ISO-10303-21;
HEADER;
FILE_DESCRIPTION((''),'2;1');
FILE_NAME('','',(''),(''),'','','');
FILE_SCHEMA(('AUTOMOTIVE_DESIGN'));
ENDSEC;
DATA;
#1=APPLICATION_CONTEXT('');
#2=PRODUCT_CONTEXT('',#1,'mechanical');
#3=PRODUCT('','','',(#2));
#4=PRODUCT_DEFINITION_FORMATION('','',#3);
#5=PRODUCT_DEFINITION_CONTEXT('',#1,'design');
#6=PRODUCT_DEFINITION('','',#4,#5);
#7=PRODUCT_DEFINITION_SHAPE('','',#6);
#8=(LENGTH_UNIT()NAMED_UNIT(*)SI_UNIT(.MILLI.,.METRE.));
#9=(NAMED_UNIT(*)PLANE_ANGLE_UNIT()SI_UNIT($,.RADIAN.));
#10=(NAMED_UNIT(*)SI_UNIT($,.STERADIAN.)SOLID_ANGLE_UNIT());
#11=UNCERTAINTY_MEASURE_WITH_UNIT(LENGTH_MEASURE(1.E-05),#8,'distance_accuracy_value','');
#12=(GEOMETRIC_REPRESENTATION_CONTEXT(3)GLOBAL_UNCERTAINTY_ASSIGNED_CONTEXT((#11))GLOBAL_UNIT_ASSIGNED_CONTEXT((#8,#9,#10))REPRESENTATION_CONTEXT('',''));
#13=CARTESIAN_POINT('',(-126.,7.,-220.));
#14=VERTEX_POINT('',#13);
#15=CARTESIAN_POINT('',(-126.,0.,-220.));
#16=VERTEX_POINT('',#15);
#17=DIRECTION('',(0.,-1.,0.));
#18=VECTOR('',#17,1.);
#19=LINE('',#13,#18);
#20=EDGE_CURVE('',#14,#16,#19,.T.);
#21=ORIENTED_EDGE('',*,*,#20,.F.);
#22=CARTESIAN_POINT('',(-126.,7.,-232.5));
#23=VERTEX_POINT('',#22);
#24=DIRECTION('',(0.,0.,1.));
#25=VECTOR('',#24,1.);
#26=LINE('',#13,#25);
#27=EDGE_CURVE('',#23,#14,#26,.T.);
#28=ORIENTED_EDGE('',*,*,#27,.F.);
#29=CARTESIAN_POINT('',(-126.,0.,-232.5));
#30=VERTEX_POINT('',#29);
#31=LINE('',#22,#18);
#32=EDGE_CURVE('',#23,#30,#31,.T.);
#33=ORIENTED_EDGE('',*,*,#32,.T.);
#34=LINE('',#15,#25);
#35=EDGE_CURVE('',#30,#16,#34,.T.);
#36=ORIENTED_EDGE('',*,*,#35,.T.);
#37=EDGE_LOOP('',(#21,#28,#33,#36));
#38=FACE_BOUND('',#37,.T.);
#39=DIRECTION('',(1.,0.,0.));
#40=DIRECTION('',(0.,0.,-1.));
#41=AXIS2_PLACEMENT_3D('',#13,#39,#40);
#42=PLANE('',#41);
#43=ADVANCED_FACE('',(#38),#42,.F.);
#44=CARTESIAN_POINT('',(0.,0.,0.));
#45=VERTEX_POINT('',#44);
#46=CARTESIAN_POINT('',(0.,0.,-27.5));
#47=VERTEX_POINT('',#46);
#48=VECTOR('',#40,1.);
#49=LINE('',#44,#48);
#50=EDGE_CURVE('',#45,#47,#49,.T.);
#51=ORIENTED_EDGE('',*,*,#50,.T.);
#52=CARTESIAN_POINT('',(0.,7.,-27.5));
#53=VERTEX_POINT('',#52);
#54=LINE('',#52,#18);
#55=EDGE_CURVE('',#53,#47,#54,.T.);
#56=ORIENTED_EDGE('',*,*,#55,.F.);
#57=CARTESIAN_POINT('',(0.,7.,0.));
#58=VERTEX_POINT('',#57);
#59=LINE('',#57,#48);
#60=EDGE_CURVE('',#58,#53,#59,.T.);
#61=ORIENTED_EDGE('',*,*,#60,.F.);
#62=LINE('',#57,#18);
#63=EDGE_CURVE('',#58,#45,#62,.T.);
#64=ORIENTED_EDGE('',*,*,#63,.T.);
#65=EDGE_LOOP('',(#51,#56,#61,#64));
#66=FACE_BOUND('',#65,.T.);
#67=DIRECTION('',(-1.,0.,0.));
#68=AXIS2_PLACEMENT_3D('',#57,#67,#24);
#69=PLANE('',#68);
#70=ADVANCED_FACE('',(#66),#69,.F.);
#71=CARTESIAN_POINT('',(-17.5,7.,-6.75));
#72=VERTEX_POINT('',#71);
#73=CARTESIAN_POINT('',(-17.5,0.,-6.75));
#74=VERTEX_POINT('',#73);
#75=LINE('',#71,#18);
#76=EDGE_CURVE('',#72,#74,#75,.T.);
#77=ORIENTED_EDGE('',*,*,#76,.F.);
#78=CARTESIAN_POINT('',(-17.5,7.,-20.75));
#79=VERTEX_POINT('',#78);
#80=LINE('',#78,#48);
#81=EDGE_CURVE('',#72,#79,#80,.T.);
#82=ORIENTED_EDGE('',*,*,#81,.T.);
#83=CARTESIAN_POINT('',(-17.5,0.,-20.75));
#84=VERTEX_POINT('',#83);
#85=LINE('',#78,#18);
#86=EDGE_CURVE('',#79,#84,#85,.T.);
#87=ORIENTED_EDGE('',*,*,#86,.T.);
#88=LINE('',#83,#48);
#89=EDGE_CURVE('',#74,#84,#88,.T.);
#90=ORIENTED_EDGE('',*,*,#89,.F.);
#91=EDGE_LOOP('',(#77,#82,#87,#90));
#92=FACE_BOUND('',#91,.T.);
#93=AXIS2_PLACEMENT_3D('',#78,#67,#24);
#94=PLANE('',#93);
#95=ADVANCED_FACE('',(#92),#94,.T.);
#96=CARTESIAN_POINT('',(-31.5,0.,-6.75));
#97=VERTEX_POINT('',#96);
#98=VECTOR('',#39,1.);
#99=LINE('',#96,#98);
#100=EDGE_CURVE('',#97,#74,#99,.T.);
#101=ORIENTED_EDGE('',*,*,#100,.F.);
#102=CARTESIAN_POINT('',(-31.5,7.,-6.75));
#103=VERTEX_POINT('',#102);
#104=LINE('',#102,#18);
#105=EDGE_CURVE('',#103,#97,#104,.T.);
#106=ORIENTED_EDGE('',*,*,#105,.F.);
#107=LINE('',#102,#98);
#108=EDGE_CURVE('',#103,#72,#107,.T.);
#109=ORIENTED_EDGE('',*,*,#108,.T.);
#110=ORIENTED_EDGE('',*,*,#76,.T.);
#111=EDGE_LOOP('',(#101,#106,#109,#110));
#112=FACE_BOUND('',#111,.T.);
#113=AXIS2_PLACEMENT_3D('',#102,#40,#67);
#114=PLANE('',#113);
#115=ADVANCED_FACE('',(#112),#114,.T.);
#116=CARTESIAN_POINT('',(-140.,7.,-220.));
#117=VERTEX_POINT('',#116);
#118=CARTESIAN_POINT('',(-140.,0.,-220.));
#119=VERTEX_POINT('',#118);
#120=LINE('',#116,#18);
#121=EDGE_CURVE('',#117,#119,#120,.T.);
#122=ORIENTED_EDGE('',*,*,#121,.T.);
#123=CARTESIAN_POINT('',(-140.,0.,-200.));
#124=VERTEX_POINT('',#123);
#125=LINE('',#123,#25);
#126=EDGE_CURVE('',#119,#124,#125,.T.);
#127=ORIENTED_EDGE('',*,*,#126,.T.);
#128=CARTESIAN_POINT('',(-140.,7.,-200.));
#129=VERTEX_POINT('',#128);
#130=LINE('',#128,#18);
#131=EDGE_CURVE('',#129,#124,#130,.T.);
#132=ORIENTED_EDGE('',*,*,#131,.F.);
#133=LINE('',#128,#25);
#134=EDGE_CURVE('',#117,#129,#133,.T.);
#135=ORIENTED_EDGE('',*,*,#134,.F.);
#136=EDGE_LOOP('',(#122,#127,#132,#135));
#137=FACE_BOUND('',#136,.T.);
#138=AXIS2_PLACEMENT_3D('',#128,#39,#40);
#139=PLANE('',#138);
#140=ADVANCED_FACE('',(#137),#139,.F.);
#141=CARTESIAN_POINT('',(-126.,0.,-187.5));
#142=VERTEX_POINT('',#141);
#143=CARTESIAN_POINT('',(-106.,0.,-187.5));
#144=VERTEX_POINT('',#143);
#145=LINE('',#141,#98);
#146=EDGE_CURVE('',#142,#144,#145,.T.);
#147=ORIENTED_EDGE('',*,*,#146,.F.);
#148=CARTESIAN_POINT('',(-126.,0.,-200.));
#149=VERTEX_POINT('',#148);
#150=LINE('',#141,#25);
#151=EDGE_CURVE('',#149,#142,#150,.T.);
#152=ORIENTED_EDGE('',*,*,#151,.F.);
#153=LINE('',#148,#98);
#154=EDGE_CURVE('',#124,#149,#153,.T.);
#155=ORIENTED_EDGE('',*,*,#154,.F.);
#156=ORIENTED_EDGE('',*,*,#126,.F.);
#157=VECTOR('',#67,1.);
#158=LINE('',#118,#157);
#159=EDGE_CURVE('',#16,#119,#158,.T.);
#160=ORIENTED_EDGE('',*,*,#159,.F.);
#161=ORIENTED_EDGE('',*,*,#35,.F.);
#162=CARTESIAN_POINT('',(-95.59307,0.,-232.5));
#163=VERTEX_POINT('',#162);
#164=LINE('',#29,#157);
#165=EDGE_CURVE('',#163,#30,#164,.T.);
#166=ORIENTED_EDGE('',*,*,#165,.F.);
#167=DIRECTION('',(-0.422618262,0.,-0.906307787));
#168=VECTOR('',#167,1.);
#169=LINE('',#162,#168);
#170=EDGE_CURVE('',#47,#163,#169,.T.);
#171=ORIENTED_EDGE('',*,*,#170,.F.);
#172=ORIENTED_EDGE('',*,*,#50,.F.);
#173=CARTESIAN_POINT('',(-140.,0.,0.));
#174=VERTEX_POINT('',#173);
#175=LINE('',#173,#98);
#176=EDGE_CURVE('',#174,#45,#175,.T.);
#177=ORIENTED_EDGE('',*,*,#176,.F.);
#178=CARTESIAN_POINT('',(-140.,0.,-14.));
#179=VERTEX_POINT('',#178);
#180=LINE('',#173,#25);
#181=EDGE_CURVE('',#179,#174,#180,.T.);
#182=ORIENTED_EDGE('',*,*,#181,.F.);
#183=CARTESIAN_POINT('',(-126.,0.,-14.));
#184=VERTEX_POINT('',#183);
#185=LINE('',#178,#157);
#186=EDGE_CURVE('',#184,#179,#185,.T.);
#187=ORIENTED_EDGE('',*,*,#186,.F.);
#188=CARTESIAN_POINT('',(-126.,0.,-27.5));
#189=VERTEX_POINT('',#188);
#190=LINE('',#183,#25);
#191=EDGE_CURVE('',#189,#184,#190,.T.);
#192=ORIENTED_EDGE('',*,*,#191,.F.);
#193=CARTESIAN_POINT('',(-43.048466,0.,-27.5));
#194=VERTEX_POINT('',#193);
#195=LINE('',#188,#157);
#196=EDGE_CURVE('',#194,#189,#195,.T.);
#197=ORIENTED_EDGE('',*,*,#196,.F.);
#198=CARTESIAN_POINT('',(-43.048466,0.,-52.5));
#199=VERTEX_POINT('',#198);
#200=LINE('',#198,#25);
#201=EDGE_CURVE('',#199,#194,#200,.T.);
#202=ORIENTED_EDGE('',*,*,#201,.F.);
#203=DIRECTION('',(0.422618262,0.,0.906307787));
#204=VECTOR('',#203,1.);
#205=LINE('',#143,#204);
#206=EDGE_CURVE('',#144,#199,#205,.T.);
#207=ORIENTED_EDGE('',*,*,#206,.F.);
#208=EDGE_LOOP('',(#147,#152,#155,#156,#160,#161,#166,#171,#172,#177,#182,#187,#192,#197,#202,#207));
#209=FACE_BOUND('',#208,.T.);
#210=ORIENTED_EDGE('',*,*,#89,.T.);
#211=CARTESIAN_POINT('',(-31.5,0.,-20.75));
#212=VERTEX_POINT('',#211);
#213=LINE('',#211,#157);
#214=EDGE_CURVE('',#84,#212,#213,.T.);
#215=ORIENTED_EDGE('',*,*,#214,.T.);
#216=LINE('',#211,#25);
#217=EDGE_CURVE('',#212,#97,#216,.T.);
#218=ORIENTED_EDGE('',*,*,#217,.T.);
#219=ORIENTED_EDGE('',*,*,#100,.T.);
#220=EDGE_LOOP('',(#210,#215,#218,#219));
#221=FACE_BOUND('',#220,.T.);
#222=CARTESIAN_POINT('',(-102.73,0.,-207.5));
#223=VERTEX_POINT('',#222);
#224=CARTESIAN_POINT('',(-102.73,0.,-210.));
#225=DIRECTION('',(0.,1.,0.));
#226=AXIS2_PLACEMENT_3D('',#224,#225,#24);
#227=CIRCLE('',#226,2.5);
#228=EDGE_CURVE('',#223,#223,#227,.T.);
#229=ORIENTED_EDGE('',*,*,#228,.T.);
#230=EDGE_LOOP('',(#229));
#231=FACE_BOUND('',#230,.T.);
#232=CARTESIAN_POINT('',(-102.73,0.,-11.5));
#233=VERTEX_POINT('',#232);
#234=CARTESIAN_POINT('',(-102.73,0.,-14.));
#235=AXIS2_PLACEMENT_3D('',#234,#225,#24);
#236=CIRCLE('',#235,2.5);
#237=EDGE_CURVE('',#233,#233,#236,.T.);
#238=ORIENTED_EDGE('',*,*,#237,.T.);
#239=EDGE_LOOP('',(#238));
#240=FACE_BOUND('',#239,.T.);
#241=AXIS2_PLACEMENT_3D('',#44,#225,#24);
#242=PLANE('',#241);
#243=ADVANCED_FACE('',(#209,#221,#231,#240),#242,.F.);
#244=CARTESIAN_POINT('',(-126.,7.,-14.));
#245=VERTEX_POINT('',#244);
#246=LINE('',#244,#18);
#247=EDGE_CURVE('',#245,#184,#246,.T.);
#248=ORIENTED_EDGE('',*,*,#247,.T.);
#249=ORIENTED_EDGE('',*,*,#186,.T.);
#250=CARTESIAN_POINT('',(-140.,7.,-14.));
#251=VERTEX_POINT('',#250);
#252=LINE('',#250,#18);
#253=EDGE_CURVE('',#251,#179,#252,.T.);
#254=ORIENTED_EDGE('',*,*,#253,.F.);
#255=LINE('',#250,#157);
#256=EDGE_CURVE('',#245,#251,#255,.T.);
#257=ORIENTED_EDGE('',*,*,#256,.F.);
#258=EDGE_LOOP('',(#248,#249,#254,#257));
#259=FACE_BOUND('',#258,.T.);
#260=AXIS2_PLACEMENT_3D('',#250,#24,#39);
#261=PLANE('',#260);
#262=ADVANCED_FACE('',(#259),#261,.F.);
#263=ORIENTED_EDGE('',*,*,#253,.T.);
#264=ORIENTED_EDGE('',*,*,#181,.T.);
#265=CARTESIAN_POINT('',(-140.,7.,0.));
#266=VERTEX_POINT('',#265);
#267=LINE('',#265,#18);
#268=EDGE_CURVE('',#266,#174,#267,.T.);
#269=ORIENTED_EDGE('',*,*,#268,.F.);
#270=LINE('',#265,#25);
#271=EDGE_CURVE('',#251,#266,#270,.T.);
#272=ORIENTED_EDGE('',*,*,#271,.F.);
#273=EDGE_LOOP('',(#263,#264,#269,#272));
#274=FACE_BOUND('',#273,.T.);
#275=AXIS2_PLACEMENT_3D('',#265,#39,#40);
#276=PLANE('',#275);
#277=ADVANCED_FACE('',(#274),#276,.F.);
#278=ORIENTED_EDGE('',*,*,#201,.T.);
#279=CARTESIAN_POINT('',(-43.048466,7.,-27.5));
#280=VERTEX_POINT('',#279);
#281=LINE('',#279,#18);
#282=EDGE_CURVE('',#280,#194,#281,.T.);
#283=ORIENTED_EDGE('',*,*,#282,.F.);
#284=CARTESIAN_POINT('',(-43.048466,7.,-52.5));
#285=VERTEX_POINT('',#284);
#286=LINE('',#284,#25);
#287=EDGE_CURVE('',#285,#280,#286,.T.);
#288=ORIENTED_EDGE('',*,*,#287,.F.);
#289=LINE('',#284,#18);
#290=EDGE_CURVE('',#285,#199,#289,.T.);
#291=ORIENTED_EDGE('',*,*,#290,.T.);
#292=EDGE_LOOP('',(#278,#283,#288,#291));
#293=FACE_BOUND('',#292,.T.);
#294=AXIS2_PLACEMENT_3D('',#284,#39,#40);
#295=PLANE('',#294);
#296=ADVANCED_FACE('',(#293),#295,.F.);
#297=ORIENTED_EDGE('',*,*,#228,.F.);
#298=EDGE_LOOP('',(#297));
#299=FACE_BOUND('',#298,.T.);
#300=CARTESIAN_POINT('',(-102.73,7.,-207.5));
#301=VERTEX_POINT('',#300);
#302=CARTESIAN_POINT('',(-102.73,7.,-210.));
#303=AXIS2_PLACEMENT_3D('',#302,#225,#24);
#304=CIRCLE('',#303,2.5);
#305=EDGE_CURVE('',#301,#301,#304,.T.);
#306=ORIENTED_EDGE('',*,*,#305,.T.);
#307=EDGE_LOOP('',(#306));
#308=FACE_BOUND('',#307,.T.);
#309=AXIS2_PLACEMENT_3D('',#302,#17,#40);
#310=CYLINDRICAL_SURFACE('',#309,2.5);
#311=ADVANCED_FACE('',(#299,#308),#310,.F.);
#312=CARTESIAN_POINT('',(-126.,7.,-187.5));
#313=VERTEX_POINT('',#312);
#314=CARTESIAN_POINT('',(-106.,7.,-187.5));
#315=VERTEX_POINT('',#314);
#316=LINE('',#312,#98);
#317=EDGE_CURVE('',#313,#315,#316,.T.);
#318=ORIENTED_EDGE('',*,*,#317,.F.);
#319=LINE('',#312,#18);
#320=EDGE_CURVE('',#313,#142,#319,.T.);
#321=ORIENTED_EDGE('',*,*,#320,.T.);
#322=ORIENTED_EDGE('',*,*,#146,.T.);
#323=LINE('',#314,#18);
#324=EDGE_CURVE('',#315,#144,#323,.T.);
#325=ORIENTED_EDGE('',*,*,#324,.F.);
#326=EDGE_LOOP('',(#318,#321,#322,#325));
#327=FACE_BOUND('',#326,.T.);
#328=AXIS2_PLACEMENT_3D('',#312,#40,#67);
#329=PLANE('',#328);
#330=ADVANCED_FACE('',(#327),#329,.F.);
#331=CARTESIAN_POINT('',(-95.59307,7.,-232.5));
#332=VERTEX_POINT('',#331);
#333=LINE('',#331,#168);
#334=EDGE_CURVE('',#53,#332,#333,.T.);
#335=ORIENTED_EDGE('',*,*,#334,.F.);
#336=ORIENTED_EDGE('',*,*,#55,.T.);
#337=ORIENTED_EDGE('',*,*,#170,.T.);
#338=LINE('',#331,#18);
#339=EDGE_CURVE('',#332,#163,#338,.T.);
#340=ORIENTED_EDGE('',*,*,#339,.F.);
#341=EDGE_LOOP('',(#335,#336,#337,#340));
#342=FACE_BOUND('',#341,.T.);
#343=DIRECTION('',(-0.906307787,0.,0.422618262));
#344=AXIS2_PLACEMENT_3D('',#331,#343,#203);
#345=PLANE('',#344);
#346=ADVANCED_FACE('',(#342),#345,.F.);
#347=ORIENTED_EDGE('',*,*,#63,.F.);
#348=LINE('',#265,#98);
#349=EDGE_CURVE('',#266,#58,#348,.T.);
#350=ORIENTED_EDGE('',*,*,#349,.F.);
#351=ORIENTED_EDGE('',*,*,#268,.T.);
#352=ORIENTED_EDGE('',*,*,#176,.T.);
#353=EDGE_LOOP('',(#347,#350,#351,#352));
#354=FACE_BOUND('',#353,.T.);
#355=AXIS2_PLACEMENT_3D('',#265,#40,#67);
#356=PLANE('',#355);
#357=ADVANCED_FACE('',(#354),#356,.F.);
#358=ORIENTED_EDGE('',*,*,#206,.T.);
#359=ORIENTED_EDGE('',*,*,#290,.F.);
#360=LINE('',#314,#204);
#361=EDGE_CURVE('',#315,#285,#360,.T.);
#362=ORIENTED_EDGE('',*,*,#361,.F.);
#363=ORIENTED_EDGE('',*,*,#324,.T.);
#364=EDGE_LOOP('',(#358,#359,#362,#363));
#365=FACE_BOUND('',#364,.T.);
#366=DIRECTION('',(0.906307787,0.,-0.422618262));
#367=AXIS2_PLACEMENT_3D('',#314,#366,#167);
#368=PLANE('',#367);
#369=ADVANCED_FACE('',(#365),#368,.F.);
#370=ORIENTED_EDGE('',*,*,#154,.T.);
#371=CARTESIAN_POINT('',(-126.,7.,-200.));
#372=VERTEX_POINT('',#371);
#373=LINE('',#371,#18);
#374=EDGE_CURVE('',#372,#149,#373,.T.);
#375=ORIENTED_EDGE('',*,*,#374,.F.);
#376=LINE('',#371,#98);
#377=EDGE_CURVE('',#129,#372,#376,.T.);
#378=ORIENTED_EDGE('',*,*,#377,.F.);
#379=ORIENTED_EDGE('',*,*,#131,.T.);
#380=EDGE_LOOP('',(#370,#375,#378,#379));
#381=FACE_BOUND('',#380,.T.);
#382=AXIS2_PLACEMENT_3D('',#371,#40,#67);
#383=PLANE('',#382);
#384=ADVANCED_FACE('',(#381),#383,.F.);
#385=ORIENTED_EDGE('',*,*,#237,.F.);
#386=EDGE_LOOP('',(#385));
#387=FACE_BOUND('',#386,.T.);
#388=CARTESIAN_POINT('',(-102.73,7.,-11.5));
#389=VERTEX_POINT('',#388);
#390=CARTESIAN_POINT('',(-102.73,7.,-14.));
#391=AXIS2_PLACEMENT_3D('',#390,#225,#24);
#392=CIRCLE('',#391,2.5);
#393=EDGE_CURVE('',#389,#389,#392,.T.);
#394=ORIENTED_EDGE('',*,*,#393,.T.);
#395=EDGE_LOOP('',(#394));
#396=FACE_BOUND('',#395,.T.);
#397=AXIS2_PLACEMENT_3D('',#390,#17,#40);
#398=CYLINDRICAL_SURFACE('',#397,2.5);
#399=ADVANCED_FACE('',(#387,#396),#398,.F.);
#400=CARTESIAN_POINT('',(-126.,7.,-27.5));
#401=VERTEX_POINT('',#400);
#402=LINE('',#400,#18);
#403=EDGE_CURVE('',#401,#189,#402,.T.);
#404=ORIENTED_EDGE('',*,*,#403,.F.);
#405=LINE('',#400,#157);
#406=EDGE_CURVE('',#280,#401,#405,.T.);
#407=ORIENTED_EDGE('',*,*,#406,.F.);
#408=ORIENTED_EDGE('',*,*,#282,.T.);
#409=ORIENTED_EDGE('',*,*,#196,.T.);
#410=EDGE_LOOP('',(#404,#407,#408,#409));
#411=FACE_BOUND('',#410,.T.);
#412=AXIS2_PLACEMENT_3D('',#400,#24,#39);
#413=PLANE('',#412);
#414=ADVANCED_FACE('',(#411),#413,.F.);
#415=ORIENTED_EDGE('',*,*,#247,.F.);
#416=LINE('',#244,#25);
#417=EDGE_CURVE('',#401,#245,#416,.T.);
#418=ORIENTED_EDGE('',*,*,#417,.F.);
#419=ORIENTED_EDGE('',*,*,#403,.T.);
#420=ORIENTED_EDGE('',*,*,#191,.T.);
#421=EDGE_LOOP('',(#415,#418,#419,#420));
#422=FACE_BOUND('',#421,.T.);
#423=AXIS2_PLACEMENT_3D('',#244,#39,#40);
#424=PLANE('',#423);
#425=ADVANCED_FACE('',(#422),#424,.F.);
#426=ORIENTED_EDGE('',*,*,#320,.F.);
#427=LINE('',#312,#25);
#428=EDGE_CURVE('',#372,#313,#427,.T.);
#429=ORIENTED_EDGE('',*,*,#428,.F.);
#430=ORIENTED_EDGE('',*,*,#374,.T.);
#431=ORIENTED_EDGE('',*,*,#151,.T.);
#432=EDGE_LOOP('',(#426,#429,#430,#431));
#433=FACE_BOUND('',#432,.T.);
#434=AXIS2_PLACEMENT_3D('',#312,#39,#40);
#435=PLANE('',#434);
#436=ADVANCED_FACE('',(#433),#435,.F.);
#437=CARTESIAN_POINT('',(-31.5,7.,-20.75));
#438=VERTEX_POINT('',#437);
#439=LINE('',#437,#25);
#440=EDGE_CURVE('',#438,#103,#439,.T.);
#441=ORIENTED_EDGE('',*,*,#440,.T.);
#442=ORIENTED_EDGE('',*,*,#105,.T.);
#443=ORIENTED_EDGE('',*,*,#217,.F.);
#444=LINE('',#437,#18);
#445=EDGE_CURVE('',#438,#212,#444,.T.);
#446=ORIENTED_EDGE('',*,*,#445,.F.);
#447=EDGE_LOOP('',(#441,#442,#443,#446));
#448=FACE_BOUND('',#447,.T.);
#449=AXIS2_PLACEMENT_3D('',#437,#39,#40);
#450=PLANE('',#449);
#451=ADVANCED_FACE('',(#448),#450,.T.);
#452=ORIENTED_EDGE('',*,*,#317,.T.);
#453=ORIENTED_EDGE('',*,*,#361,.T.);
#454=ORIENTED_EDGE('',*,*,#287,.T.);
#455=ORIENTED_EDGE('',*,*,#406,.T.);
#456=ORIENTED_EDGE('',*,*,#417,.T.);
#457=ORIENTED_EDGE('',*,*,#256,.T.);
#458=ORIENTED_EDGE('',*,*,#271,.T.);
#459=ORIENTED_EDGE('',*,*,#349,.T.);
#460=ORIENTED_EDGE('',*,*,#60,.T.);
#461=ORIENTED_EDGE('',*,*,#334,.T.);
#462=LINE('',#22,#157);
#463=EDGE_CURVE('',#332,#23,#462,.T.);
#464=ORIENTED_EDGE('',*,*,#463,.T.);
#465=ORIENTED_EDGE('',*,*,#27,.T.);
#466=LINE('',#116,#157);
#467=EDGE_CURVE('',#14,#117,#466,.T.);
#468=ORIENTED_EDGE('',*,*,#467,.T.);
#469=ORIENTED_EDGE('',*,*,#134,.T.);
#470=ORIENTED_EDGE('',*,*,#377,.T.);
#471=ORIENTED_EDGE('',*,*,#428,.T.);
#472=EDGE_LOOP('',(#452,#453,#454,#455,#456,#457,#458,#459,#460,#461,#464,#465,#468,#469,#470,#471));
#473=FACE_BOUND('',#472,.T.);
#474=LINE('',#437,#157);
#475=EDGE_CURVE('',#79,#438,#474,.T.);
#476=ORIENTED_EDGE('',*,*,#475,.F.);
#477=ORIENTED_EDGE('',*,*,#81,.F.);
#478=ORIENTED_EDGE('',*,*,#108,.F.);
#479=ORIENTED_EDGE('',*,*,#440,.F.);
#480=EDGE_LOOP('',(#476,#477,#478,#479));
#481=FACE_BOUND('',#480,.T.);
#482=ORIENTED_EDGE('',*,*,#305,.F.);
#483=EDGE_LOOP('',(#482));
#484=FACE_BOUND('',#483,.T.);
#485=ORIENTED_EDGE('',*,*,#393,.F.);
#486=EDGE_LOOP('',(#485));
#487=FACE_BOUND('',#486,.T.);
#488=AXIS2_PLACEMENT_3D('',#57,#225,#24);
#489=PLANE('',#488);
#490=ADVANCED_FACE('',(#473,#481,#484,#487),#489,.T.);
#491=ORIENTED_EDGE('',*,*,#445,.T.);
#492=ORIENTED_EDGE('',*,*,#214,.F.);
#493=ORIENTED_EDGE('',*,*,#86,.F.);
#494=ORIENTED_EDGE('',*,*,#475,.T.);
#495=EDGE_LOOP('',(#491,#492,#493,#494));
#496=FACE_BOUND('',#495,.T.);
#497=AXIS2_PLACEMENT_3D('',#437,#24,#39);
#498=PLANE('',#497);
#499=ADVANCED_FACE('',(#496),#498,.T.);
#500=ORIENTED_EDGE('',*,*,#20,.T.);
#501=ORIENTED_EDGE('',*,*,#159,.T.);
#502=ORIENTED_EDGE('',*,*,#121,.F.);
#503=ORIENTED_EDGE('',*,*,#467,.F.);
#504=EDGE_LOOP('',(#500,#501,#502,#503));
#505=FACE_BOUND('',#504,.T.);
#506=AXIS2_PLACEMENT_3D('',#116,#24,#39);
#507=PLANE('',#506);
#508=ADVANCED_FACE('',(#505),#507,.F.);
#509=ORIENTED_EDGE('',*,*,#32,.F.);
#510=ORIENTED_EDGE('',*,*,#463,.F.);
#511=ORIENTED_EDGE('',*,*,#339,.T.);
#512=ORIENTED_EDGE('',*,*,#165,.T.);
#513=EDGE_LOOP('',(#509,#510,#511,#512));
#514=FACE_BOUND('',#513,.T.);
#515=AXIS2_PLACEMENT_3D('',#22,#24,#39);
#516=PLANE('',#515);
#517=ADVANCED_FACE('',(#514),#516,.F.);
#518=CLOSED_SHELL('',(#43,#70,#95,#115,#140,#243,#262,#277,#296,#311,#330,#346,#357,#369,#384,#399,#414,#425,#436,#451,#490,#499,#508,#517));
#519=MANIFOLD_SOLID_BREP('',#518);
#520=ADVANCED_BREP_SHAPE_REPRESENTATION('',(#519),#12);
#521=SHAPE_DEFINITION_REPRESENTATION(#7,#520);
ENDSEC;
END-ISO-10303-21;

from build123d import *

# Parameters (mm, degrees)
SKETCH1_R           = 2.5
SKETCH1_W           = 14
SKETCH1_H           = 14
BOSS_EXTRUDE1_DEPTH = 7


with BuildPart() as part:
    # Sketch1 → Boss-Extrude1 (new body)
    with BuildSketch(Plane(origin=(0, 0, 0), x_dir=(1, 0, 0), z_dir=(0, 1, 0))):
        Polygon((0, 0), (0, 27.5), (-95.593069922, 232.5), (-126, 232.5), (-126, 220), (-140, 220), (-140, 200), (-126, 200), (-126, 187.5), (-106, 187.5), (-43.048466149, 52.5), (-43.048466149, 27.5), (-126, 27.5), (-126, 14), (-140, 14), (-140, 0), align=None)
        with Locations((-102.73, 14)):
            Circle(SKETCH1_R, mode=Mode.SUBTRACT)
        with Locations((-102.73, 210)):
            Circle(SKETCH1_R, mode=Mode.SUBTRACT)
        with Locations((-24.5, 13.75)):
            Rectangle(SKETCH1_W, SKETCH1_H, mode=Mode.SUBTRACT)
    extrude(amount=BOSS_EXTRUDE1_DEPTH)


solid = part.part
